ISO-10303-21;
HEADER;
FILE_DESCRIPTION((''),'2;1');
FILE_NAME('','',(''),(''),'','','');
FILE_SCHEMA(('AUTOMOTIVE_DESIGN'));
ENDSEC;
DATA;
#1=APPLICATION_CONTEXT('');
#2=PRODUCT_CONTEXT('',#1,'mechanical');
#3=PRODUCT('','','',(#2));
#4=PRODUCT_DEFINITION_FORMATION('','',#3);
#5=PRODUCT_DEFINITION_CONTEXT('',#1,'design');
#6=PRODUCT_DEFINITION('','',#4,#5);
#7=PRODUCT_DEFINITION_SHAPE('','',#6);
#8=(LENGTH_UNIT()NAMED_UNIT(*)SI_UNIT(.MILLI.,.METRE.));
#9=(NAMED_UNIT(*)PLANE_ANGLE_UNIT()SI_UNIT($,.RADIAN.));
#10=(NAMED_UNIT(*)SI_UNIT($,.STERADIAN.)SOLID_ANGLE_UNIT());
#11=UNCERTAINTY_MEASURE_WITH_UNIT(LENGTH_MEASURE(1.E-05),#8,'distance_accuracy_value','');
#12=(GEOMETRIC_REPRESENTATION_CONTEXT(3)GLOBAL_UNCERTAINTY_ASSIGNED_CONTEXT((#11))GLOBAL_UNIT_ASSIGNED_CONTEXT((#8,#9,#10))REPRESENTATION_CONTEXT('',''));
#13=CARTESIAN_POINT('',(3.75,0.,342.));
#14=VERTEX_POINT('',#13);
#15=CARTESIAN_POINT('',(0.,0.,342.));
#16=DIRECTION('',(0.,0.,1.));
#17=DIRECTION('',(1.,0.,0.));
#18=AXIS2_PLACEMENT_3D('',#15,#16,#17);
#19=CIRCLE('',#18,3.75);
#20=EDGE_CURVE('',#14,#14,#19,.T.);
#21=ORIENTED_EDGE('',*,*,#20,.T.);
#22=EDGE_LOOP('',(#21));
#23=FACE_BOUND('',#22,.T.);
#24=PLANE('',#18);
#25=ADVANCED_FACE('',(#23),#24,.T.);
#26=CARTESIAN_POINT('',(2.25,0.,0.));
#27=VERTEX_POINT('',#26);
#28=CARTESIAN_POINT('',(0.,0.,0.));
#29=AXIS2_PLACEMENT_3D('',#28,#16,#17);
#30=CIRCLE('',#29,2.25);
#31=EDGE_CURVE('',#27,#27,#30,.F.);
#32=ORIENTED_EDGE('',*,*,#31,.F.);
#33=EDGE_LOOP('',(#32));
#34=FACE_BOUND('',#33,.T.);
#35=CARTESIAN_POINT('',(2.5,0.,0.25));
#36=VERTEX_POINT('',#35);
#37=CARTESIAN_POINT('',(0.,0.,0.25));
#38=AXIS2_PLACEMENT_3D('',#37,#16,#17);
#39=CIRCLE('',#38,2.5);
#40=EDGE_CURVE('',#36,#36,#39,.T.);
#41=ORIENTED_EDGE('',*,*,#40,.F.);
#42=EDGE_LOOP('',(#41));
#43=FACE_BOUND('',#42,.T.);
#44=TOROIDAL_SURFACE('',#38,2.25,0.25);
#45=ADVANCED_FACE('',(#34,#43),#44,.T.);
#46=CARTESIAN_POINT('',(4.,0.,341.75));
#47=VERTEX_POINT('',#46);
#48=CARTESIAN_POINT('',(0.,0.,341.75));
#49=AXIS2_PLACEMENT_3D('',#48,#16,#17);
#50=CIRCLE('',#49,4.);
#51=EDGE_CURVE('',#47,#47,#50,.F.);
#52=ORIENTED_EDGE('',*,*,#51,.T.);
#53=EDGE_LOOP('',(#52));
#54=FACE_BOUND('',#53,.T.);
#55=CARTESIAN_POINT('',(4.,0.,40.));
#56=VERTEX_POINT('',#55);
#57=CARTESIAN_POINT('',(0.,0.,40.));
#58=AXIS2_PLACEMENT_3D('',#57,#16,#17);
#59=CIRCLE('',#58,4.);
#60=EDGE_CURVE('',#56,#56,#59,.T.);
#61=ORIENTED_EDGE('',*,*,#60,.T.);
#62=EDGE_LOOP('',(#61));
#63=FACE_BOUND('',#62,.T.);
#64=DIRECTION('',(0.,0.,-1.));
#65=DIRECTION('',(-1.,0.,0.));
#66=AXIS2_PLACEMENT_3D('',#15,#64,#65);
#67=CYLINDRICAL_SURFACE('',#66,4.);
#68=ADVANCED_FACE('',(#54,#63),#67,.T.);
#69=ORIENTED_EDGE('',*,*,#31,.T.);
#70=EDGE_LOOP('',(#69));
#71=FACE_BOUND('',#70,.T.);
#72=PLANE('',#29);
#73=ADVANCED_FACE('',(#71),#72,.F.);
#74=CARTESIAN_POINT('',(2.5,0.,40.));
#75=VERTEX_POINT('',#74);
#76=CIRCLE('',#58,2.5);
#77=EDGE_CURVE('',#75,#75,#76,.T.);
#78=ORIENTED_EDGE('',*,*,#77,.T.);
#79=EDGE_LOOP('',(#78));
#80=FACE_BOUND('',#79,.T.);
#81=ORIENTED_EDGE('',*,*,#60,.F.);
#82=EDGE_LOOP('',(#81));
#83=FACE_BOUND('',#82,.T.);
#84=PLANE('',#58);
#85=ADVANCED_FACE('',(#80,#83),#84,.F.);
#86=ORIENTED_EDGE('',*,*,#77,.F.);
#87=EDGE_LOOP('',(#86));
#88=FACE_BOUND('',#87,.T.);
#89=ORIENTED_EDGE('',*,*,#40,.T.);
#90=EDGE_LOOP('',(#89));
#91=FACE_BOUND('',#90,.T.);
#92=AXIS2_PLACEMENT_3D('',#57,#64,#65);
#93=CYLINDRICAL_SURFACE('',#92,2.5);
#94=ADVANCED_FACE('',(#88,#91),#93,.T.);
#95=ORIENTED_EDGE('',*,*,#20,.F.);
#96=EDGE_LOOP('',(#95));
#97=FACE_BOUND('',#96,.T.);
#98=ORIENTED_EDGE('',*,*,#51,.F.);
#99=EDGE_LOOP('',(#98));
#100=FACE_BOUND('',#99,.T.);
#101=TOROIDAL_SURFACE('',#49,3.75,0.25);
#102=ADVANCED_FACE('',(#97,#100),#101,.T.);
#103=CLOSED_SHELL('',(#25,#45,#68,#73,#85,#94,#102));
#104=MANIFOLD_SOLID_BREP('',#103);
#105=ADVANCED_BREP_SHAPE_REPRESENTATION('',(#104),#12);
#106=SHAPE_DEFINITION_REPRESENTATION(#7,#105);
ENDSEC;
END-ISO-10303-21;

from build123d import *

# Parameters (mm, degrees)
SKETCH1_R           = 2.5
EXTRUDE1_DEPTH      = 40
SKETCH2_R           = 4
BOSS_EXTRUDE1_DEPTH = 302
FILLET1_R           = 0.25


with BuildPart() as part:
    # Sketch1 → Extrude1 (new body)
    with BuildSketch(Plane.XY):
        Circle(SKETCH1_R)
    extrude(amount=EXTRUDE1_DEPTH)

    # Sketch2 → Boss-Extrude1 (add)
    with BuildSketch(Plane.XY.offset(40)):
        Circle(SKETCH2_R)
    extrude(amount=BOSS_EXTRUDE1_DEPTH)

    # Fillet1
    fillet1_edges = [part.edges().sort_by_distance(p)[0] for p in [
        (-2.5, 0, 0),
        (-4, 0, 342),
    ]]
    fillet(fillet1_edges, radius=FILLET1_R)


solid = part.part
